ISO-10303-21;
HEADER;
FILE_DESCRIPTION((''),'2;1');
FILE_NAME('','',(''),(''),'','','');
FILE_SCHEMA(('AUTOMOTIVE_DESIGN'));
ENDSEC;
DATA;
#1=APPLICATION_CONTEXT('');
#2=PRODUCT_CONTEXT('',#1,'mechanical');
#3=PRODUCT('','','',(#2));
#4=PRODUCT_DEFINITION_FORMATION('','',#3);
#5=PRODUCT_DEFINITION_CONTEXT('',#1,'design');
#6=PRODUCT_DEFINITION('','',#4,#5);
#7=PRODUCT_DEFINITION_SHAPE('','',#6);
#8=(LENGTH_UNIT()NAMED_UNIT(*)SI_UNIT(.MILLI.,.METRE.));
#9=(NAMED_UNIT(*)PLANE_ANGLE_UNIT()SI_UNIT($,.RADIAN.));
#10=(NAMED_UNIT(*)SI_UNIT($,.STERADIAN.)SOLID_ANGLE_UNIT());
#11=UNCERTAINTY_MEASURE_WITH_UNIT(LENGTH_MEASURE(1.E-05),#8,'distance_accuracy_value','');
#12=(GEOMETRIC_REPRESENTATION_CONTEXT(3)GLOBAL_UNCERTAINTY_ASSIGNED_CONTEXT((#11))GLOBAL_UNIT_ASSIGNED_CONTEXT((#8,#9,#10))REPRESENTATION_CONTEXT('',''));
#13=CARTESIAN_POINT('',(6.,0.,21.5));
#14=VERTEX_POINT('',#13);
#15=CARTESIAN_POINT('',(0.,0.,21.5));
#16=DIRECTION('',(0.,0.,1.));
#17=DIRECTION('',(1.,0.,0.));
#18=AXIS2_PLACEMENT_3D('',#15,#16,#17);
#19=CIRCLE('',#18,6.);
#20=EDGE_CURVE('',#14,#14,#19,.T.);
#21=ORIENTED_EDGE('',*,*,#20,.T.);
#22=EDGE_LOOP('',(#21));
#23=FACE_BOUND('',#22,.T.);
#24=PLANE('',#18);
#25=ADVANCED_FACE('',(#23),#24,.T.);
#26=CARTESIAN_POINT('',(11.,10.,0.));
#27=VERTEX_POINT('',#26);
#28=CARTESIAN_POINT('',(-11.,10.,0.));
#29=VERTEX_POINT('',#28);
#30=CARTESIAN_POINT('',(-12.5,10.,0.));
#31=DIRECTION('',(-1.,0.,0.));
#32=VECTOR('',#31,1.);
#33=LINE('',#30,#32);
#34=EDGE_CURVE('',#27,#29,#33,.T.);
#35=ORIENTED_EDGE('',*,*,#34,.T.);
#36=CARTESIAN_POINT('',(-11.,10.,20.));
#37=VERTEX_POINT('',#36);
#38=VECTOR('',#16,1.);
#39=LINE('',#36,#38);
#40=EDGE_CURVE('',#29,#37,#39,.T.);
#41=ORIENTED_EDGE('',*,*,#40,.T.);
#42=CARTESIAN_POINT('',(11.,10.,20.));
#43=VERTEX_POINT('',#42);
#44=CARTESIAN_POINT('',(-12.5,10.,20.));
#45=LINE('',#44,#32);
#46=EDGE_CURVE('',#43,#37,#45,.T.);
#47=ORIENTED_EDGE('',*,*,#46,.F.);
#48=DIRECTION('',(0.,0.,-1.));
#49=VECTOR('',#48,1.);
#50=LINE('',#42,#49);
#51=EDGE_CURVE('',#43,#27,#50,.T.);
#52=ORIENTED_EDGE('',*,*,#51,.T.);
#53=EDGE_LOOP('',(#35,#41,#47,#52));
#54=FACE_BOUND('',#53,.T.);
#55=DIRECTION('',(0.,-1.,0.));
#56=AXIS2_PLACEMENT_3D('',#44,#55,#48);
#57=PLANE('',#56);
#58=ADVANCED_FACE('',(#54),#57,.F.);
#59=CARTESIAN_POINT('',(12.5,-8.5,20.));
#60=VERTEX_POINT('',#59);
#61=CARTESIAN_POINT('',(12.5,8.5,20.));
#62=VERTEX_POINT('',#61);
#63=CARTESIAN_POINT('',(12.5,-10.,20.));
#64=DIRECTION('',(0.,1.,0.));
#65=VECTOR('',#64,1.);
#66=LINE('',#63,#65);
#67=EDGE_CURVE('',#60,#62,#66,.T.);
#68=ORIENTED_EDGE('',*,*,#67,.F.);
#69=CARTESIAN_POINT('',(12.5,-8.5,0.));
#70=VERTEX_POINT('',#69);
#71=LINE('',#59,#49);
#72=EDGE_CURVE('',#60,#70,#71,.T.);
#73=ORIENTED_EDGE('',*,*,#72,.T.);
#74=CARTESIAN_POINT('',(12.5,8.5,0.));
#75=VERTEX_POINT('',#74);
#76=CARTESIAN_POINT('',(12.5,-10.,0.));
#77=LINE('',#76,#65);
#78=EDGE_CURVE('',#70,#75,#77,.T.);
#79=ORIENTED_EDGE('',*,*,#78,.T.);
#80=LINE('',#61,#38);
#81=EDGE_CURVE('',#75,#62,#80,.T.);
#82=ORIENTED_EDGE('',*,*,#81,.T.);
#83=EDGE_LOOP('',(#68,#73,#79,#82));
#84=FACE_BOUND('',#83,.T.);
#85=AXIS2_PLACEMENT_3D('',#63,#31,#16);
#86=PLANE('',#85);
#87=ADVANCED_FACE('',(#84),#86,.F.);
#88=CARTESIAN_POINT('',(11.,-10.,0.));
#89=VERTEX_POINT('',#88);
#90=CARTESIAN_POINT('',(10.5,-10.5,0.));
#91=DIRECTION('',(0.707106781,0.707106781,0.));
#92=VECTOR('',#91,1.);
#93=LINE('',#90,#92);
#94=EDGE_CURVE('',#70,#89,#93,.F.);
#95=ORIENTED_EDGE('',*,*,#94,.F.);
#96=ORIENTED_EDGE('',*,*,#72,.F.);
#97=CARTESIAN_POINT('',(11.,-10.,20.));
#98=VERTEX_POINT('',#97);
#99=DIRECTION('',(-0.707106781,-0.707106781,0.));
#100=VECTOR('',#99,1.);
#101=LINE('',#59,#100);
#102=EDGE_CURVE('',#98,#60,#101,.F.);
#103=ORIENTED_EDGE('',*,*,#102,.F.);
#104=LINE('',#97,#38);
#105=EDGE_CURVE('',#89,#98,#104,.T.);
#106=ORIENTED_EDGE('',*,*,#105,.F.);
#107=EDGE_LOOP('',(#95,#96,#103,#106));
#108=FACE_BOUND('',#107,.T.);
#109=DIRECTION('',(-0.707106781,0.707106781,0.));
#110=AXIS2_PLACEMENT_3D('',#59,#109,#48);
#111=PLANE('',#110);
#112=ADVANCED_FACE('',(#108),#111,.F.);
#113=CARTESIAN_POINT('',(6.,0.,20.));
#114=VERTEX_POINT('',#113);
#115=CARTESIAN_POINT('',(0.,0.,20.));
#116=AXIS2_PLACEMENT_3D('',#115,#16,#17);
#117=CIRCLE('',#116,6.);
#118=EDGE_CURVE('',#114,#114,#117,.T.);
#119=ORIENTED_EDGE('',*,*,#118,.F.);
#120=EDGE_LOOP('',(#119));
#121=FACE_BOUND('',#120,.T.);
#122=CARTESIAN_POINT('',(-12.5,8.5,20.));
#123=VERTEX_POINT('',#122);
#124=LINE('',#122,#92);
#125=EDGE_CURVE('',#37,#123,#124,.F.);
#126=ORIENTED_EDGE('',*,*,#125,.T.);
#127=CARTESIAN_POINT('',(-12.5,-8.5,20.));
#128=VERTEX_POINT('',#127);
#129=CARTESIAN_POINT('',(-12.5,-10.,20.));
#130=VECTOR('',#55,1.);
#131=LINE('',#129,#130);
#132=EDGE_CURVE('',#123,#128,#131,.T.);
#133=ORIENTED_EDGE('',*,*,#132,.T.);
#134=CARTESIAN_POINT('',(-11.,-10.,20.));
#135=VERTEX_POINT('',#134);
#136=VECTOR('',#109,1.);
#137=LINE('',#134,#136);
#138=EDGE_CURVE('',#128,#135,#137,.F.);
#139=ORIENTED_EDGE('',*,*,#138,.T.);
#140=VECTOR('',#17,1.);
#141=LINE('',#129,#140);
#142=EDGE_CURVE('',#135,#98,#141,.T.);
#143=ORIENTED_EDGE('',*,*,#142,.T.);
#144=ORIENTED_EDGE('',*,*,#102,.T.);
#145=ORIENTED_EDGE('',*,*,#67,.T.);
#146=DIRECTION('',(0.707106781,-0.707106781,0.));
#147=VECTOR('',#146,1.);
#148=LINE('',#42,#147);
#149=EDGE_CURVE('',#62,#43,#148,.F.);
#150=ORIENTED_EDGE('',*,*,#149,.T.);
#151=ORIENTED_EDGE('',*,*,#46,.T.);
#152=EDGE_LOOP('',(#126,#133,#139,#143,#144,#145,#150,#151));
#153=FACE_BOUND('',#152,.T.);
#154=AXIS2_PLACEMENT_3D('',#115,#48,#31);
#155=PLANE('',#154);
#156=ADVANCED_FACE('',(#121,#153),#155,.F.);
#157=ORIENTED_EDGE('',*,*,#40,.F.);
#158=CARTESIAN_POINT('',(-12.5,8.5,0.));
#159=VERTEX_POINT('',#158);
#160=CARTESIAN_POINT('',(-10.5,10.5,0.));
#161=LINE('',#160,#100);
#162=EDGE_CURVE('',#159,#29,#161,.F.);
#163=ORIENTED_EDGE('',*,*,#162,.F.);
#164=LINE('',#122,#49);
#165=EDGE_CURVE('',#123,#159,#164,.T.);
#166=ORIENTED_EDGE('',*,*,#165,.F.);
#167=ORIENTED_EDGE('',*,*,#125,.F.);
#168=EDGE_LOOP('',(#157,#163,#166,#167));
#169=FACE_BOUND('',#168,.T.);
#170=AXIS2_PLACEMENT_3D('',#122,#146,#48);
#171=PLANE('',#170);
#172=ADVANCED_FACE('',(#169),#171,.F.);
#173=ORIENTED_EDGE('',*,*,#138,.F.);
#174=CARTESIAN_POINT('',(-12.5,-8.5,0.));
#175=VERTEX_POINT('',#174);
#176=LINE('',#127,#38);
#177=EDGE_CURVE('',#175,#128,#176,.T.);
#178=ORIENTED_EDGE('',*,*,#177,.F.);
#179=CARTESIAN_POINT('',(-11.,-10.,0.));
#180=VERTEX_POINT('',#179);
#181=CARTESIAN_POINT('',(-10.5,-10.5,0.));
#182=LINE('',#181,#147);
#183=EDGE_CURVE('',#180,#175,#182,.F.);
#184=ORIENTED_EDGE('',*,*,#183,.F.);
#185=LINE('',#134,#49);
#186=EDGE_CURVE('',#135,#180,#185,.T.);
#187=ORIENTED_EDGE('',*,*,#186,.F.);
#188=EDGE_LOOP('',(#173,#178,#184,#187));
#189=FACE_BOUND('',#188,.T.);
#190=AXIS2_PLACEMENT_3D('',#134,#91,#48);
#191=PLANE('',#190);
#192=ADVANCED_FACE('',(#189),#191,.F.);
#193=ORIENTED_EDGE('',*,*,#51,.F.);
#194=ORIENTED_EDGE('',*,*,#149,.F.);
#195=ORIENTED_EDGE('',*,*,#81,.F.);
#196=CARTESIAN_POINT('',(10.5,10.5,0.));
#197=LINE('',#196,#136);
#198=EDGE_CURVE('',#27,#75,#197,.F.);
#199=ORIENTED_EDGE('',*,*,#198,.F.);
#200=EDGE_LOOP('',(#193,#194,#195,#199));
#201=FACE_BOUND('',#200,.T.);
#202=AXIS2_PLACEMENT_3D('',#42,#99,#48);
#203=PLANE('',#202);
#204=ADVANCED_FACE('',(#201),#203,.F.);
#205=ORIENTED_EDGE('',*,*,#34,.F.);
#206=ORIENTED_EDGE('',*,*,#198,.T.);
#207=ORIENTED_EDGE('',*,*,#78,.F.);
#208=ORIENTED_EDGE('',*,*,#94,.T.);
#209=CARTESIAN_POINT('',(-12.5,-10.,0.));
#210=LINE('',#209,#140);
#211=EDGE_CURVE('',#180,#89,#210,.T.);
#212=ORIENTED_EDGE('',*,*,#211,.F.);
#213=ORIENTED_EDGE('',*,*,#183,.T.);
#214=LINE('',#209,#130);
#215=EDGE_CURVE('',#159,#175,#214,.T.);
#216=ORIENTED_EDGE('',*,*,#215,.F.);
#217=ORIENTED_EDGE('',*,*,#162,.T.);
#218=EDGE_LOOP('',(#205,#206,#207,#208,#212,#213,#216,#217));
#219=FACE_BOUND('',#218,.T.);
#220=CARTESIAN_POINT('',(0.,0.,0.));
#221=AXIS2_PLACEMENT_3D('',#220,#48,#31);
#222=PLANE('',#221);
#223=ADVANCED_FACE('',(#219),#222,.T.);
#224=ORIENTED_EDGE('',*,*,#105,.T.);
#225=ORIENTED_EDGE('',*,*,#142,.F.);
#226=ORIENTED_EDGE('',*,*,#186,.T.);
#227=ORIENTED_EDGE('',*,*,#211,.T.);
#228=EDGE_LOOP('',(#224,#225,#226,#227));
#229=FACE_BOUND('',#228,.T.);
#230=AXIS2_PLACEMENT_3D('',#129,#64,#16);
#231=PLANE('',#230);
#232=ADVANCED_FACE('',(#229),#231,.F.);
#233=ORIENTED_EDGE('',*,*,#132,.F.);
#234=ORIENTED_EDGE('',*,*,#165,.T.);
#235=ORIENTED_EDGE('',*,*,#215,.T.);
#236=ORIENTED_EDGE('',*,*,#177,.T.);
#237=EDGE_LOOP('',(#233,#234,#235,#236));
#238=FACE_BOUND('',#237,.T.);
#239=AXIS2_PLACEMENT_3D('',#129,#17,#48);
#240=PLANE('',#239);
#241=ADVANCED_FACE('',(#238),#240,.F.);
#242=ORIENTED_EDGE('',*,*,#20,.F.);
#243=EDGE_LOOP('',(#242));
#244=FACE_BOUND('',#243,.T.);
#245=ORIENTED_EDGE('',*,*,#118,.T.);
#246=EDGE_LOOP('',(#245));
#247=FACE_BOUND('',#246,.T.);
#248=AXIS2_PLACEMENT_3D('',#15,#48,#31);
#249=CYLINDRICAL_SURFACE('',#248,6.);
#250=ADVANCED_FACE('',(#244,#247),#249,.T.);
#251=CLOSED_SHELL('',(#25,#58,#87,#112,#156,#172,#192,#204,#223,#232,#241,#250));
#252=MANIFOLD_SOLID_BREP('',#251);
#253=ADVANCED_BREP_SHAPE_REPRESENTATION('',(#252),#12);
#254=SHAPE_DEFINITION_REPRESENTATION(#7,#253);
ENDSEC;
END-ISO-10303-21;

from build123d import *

# Parameters (mm, degrees)
SKETCH2_W           = 25
SKETCH2_H           = 20
BOSS_EXTRUDE1_DEPTH = 20
CHAMFER1_SIZE       = 1.5
SKETCH3_R           = 6
BOSS_EXTRUDE2_DEPTH = 1.5


with BuildPart() as part:
    # Sketch2 → Boss-Extrude1 (new body)
    with BuildSketch(Plane.XY):
        Rectangle(SKETCH2_W, SKETCH2_H)
    extrude(amount=BOSS_EXTRUDE1_DEPTH)

    # Chamfer1
    chamfer1_edges = [part.edges().sort_by_distance(p)[0] for p in [
        (12.5, -10, 10),
        (-12.5, -10, 10),
        (-12.5, 10, 10),
        (12.5, 10, 10),
    ]]
    chamfer(chamfer1_edges, length=CHAMFER1_SIZE)

    # Sketch3 → Boss-Extrude2 (add)
    with BuildSketch(Plane.XY.offset(20)):
        Circle(SKETCH3_R)
    extrude(amount=BOSS_EXTRUDE2_DEPTH)


solid = part.part
